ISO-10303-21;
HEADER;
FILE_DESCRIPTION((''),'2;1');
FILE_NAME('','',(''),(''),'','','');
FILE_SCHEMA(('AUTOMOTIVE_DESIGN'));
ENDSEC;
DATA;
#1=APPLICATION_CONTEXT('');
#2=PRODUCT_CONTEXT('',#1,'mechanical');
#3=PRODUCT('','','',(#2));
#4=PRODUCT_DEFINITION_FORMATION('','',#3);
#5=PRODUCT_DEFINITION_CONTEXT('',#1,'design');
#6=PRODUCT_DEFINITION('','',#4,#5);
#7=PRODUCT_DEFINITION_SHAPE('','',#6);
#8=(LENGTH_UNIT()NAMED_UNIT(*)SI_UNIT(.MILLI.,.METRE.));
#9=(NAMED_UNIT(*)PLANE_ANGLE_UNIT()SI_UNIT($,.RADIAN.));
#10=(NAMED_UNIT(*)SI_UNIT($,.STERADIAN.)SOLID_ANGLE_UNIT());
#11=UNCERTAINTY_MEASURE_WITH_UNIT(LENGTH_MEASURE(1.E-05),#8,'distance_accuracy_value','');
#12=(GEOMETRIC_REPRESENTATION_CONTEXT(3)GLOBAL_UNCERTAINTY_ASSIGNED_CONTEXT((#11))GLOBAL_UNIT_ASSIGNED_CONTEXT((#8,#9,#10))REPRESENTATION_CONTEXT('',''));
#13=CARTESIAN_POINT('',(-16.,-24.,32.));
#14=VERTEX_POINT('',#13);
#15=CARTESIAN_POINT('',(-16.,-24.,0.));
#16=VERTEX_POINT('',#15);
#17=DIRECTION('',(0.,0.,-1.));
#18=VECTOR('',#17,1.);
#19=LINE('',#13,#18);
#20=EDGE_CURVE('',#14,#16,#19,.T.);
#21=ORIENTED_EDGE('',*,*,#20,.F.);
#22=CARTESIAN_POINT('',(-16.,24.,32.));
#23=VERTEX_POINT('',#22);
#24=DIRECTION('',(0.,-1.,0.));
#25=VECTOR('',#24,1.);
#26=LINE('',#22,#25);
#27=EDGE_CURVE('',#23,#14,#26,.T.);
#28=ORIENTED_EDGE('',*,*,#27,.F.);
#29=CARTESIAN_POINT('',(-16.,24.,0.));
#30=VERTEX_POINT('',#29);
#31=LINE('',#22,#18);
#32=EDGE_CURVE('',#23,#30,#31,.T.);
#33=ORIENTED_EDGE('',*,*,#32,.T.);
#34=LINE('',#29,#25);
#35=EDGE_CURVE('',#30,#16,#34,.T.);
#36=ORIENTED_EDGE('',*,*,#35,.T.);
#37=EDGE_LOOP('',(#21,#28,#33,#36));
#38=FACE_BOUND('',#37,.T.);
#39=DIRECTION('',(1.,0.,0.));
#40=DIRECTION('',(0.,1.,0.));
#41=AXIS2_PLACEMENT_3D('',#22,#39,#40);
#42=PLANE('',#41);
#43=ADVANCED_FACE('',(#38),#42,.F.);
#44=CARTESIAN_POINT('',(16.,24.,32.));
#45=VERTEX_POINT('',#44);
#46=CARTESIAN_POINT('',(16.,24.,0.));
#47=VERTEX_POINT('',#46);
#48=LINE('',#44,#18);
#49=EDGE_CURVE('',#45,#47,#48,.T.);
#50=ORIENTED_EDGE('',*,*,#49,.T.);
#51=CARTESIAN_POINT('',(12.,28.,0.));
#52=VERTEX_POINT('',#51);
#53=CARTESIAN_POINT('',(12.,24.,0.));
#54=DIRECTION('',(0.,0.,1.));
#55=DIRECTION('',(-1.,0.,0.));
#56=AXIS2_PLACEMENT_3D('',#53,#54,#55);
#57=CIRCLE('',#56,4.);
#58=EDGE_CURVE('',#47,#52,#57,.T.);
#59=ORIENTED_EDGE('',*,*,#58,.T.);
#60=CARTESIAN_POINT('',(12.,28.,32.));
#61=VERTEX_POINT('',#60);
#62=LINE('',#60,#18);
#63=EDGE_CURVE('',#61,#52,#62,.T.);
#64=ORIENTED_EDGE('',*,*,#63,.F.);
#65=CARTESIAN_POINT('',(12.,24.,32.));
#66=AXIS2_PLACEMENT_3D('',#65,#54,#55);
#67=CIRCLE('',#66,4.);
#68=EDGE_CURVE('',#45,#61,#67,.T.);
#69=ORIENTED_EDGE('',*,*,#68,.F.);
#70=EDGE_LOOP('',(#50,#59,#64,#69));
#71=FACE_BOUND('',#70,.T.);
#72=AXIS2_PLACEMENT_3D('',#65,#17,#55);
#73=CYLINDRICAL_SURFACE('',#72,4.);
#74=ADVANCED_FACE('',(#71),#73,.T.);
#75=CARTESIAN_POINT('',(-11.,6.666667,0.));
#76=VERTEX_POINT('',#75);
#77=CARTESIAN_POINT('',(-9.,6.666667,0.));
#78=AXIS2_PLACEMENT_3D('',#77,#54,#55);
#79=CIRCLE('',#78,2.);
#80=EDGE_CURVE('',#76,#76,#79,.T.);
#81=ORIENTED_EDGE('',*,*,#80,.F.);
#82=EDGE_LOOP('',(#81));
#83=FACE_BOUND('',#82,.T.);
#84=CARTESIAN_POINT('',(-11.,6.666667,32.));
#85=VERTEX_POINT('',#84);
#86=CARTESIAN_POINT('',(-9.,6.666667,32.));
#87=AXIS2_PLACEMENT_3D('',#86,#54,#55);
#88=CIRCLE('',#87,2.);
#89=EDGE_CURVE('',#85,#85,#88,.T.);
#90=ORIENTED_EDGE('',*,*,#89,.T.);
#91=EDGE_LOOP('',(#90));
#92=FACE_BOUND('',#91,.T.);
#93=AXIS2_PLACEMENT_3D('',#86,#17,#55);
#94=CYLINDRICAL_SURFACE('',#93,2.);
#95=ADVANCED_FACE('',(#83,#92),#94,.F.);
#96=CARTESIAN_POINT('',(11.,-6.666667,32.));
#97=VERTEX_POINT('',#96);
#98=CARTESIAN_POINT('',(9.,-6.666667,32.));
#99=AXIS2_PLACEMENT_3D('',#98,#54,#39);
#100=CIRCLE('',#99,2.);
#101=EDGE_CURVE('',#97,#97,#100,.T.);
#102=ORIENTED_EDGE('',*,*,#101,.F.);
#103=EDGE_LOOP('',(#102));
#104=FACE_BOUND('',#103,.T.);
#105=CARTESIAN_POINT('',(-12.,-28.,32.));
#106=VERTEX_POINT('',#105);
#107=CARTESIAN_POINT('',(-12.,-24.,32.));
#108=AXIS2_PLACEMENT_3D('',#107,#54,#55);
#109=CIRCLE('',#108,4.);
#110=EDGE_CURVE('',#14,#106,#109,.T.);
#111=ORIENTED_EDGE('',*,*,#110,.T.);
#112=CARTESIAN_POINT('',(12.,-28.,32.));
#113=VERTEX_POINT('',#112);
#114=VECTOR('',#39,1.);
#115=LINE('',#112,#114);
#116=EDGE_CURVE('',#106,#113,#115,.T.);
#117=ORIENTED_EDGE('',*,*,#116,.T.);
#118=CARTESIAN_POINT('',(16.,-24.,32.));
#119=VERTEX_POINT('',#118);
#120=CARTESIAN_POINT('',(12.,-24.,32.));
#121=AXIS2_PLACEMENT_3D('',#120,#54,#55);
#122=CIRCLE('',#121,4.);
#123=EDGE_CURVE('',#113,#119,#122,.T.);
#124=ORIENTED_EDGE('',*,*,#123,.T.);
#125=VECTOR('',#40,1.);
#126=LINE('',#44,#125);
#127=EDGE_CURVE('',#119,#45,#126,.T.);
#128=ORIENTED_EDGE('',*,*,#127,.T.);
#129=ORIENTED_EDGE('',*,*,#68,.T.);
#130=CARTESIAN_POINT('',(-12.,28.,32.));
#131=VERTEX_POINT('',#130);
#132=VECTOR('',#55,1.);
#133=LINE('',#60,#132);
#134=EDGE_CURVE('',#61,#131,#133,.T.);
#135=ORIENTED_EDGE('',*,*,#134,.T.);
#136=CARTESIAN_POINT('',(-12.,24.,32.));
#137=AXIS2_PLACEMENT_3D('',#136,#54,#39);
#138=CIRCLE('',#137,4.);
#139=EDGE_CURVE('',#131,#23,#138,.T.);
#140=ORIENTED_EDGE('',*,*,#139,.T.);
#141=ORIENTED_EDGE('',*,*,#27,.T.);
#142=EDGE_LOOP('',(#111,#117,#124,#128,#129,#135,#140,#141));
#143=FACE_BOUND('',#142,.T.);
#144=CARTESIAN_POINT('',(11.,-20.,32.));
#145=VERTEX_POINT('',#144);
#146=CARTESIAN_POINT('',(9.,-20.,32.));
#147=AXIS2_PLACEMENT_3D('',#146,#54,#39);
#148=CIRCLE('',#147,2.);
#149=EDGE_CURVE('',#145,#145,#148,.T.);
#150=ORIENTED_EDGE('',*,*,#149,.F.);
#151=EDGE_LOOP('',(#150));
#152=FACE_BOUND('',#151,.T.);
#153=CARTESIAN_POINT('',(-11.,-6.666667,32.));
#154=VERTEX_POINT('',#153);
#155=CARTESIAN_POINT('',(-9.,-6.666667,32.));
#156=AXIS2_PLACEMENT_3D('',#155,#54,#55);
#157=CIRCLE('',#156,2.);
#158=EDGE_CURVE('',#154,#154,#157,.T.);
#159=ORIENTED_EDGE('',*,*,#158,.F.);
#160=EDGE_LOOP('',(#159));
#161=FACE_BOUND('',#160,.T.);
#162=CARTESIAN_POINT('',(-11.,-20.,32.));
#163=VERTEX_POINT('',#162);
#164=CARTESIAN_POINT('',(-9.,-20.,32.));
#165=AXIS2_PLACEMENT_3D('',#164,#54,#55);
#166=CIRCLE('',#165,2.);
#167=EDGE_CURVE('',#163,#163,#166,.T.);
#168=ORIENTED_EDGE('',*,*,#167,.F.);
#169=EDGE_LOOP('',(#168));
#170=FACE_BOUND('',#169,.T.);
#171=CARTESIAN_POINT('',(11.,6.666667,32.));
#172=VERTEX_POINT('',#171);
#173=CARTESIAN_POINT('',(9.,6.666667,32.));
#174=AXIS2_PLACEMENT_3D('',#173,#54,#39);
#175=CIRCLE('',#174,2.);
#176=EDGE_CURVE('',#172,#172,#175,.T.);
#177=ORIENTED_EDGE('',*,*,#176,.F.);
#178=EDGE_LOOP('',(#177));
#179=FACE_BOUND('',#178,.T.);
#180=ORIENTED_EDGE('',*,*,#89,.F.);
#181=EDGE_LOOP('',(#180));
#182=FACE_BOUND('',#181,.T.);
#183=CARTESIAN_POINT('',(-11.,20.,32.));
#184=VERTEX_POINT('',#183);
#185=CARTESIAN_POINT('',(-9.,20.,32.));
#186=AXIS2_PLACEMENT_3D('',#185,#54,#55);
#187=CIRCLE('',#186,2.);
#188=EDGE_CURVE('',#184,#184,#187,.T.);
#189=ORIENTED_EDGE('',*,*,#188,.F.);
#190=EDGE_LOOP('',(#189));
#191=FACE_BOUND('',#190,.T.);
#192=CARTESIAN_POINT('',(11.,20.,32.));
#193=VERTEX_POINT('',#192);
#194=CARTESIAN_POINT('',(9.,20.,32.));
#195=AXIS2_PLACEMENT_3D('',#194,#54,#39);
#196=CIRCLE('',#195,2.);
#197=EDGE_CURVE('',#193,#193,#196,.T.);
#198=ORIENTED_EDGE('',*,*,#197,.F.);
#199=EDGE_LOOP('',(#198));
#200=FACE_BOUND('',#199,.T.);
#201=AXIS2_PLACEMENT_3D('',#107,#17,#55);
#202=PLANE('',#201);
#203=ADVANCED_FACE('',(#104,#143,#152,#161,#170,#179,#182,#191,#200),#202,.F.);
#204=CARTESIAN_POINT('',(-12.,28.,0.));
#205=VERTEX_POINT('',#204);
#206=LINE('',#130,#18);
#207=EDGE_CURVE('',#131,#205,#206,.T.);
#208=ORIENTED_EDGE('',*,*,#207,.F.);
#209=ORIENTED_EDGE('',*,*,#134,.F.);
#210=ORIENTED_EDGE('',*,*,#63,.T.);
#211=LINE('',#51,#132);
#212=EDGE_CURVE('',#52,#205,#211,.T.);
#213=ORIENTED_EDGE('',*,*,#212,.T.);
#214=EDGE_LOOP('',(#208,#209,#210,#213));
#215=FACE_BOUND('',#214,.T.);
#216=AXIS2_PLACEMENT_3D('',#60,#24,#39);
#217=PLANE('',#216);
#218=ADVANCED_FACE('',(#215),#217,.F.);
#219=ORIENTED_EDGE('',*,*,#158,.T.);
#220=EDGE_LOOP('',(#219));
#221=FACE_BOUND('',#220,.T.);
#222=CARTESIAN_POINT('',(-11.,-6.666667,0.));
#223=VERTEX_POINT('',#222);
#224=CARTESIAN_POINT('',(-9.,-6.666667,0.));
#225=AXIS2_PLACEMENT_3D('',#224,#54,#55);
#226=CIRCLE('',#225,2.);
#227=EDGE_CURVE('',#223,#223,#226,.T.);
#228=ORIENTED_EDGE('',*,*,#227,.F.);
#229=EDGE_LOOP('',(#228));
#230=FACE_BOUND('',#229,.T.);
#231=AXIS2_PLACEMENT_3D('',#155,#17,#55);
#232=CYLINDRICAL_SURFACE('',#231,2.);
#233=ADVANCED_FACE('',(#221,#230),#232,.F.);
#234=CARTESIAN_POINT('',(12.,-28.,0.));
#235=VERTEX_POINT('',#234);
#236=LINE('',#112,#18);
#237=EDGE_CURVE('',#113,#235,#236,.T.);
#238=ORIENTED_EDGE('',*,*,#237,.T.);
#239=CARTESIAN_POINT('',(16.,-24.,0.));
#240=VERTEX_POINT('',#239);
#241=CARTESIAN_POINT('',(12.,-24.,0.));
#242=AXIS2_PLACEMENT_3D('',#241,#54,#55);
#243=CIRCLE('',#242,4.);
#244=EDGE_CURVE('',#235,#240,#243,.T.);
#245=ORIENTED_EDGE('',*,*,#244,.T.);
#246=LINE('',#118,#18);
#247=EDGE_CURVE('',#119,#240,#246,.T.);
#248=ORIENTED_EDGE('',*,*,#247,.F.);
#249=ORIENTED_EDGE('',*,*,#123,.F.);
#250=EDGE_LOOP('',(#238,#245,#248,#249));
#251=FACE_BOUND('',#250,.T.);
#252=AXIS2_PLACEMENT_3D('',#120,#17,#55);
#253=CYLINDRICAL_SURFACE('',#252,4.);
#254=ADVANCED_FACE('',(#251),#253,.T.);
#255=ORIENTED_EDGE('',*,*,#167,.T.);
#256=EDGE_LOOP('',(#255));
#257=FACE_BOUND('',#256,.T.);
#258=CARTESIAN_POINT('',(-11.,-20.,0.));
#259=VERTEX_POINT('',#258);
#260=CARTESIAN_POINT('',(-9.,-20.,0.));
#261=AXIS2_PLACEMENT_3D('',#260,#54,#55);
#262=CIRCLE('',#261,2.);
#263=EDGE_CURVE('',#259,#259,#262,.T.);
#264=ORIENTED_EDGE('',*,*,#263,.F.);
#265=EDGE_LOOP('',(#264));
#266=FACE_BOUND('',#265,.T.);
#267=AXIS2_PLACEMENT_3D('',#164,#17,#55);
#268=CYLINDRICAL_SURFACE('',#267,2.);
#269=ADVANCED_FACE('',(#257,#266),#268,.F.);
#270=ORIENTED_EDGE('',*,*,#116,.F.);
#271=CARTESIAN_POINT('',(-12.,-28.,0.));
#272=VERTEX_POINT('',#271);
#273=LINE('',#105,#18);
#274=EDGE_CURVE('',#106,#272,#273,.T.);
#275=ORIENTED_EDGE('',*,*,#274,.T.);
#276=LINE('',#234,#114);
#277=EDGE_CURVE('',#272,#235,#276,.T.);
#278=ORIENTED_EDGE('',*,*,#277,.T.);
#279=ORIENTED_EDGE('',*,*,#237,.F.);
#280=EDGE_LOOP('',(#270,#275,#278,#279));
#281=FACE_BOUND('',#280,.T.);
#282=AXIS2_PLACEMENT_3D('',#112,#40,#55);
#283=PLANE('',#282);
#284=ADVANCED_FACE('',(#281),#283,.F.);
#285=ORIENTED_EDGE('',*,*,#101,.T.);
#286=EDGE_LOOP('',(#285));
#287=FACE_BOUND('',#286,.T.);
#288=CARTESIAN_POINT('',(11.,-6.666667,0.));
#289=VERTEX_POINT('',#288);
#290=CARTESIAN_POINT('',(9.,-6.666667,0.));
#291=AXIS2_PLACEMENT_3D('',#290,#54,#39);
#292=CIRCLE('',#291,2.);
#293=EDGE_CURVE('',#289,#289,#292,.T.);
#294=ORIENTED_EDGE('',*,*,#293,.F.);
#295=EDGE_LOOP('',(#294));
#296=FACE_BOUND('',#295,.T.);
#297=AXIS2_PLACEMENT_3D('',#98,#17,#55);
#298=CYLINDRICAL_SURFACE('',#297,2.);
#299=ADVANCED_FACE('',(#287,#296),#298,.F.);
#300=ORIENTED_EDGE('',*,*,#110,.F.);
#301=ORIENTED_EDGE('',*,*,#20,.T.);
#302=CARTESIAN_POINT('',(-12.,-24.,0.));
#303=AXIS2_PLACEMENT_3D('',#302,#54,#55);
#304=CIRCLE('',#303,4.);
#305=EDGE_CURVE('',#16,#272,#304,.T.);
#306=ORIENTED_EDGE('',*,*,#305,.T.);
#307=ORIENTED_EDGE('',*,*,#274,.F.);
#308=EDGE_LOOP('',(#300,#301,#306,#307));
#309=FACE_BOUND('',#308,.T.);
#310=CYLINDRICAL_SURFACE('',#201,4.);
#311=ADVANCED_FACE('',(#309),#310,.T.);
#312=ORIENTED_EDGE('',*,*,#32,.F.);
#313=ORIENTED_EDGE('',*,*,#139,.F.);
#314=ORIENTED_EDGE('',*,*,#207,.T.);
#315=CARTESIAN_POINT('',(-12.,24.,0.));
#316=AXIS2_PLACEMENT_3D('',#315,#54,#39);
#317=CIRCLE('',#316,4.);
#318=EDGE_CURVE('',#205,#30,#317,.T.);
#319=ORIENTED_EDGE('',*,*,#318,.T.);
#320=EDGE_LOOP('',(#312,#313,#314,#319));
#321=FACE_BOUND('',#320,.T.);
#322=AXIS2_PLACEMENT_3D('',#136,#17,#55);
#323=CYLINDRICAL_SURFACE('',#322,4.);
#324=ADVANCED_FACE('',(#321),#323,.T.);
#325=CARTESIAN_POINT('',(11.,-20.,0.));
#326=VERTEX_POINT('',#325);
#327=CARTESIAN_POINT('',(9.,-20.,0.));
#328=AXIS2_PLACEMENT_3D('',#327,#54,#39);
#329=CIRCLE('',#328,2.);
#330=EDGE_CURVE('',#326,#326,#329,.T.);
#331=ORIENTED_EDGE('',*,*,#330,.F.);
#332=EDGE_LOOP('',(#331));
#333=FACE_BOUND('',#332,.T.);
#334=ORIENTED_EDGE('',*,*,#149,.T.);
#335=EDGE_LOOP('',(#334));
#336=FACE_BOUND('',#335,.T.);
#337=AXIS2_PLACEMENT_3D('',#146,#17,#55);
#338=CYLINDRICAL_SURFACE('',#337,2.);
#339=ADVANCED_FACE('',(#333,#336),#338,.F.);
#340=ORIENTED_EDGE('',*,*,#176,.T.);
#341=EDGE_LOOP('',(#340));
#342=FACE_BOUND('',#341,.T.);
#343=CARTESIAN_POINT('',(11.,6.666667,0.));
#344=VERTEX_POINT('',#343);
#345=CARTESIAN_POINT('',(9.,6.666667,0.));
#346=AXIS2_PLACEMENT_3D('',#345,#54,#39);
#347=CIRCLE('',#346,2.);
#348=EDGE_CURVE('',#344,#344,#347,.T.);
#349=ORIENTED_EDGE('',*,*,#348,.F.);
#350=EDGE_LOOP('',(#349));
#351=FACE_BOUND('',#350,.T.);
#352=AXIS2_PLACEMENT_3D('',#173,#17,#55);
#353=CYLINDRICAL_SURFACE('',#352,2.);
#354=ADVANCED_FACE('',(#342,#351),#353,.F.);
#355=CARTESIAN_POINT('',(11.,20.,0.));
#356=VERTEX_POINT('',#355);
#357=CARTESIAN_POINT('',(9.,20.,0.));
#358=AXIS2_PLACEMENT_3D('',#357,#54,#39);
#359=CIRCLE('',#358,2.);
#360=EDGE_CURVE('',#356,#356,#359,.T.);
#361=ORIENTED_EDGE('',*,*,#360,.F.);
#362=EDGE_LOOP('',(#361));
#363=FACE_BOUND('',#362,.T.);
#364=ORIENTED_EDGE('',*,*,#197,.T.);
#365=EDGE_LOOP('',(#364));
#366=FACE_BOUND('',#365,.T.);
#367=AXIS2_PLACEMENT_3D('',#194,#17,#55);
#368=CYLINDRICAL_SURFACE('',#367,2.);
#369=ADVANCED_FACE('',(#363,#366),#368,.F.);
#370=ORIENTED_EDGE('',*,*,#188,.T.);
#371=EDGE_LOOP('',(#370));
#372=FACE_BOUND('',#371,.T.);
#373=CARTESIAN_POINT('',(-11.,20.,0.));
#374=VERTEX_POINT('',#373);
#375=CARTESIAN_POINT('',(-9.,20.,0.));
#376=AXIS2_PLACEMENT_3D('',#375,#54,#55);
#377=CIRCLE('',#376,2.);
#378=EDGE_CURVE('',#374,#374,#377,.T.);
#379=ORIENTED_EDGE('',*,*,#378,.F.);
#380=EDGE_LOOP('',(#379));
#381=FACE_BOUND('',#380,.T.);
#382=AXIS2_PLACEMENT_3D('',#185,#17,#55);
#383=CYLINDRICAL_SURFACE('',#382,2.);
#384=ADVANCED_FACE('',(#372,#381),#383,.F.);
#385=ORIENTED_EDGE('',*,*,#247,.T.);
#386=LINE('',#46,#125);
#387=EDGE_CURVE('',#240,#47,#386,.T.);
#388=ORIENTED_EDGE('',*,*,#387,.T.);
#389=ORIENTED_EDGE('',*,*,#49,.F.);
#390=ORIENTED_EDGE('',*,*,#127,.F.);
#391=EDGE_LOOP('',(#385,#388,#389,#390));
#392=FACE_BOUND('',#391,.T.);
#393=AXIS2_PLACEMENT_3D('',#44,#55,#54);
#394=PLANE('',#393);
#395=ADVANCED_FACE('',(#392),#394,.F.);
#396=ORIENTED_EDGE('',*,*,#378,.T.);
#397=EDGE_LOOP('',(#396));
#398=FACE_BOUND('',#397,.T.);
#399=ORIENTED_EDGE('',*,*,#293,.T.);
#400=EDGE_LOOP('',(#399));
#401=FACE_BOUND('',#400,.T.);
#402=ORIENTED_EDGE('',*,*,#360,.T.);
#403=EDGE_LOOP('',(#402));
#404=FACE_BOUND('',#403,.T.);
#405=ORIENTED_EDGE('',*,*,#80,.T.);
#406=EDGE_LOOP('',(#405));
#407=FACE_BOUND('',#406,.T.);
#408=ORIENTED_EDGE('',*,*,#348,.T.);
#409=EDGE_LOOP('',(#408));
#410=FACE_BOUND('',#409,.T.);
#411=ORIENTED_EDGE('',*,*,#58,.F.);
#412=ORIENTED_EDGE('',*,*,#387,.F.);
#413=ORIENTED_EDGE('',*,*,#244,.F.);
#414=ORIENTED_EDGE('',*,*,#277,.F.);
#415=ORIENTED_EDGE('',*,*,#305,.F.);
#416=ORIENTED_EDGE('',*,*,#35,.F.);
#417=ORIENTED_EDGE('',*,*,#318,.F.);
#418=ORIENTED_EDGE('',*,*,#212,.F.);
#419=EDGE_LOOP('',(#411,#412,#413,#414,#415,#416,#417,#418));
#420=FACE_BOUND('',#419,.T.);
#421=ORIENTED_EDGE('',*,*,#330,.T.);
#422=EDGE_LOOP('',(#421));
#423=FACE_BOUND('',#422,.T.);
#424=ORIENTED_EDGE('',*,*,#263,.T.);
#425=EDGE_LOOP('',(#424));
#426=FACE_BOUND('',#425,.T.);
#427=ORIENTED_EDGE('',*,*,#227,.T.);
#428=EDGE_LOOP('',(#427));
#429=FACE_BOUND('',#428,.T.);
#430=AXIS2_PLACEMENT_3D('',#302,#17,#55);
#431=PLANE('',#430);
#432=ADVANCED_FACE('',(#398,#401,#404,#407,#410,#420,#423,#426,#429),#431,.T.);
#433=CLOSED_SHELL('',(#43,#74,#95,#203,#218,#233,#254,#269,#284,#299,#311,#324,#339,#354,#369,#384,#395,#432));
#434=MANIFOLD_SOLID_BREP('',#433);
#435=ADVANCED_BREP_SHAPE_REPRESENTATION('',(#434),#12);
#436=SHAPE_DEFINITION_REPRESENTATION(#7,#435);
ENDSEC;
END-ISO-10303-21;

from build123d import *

# Parameters (mm, degrees)
SKETCH_1_R      = 2
EXTRUDE_1_DEPTH = 32


with BuildPart() as part:
    # 草图1 → 凸台-拉伸1 (new body)
    with BuildSketch(Plane.XY):
        with BuildLine():
            Line((12, 28), (-12, 28))
            ThreePointArc((-12, 28), (-14.828427125, 26.828427125), (-16, 24))
            Line((-16, 24), (-16, -24))
            ThreePointArc((-16, -24), (-14.828427125, -26.828427125), (-12, -28))
            Line((-12, -28), (12, -28))
            ThreePointArc((12, -28), (14.828427125, -26.828427125), (16, -24))
            Line((16, -24), (16, 24))
            ThreePointArc((16, 24), (14.828427125, 26.828427125), (12, 28))
        make_face()
        with Locations((9, 20)):
            Circle(SKETCH_1_R, mode=Mode.SUBTRACT)
        with Locations((9, 6.666666667)):
            Circle(SKETCH_1_R, mode=Mode.SUBTRACT)
        with Locations((9, -6.666666667)):
            Circle(SKETCH_1_R, mode=Mode.SUBTRACT)
        with Locations((9, -20)):
            Circle(SKETCH_1_R, mode=Mode.SUBTRACT)
        with Locations(Location((-9, -20, 0), (0, 0, 180))):
            Circle(SKETCH_1_R, mode=Mode.SUBTRACT)
        with Locations(Location((-9, -6.666666667, 0), (0, 0, 180))):
            Circle(SKETCH_1_R, mode=Mode.SUBTRACT)
        with Locations(Location((-9, 6.666666667, 0), (0, 0, 180))):
            Circle(SKETCH_1_R, mode=Mode.SUBTRACT)
        with Locations(Location((-9, 20, 0), (0, 0, 180))):
            Circle(SKETCH_1_R, mode=Mode.SUBTRACT)
    extrude(amount=EXTRUDE_1_DEPTH)


solid = part.part
